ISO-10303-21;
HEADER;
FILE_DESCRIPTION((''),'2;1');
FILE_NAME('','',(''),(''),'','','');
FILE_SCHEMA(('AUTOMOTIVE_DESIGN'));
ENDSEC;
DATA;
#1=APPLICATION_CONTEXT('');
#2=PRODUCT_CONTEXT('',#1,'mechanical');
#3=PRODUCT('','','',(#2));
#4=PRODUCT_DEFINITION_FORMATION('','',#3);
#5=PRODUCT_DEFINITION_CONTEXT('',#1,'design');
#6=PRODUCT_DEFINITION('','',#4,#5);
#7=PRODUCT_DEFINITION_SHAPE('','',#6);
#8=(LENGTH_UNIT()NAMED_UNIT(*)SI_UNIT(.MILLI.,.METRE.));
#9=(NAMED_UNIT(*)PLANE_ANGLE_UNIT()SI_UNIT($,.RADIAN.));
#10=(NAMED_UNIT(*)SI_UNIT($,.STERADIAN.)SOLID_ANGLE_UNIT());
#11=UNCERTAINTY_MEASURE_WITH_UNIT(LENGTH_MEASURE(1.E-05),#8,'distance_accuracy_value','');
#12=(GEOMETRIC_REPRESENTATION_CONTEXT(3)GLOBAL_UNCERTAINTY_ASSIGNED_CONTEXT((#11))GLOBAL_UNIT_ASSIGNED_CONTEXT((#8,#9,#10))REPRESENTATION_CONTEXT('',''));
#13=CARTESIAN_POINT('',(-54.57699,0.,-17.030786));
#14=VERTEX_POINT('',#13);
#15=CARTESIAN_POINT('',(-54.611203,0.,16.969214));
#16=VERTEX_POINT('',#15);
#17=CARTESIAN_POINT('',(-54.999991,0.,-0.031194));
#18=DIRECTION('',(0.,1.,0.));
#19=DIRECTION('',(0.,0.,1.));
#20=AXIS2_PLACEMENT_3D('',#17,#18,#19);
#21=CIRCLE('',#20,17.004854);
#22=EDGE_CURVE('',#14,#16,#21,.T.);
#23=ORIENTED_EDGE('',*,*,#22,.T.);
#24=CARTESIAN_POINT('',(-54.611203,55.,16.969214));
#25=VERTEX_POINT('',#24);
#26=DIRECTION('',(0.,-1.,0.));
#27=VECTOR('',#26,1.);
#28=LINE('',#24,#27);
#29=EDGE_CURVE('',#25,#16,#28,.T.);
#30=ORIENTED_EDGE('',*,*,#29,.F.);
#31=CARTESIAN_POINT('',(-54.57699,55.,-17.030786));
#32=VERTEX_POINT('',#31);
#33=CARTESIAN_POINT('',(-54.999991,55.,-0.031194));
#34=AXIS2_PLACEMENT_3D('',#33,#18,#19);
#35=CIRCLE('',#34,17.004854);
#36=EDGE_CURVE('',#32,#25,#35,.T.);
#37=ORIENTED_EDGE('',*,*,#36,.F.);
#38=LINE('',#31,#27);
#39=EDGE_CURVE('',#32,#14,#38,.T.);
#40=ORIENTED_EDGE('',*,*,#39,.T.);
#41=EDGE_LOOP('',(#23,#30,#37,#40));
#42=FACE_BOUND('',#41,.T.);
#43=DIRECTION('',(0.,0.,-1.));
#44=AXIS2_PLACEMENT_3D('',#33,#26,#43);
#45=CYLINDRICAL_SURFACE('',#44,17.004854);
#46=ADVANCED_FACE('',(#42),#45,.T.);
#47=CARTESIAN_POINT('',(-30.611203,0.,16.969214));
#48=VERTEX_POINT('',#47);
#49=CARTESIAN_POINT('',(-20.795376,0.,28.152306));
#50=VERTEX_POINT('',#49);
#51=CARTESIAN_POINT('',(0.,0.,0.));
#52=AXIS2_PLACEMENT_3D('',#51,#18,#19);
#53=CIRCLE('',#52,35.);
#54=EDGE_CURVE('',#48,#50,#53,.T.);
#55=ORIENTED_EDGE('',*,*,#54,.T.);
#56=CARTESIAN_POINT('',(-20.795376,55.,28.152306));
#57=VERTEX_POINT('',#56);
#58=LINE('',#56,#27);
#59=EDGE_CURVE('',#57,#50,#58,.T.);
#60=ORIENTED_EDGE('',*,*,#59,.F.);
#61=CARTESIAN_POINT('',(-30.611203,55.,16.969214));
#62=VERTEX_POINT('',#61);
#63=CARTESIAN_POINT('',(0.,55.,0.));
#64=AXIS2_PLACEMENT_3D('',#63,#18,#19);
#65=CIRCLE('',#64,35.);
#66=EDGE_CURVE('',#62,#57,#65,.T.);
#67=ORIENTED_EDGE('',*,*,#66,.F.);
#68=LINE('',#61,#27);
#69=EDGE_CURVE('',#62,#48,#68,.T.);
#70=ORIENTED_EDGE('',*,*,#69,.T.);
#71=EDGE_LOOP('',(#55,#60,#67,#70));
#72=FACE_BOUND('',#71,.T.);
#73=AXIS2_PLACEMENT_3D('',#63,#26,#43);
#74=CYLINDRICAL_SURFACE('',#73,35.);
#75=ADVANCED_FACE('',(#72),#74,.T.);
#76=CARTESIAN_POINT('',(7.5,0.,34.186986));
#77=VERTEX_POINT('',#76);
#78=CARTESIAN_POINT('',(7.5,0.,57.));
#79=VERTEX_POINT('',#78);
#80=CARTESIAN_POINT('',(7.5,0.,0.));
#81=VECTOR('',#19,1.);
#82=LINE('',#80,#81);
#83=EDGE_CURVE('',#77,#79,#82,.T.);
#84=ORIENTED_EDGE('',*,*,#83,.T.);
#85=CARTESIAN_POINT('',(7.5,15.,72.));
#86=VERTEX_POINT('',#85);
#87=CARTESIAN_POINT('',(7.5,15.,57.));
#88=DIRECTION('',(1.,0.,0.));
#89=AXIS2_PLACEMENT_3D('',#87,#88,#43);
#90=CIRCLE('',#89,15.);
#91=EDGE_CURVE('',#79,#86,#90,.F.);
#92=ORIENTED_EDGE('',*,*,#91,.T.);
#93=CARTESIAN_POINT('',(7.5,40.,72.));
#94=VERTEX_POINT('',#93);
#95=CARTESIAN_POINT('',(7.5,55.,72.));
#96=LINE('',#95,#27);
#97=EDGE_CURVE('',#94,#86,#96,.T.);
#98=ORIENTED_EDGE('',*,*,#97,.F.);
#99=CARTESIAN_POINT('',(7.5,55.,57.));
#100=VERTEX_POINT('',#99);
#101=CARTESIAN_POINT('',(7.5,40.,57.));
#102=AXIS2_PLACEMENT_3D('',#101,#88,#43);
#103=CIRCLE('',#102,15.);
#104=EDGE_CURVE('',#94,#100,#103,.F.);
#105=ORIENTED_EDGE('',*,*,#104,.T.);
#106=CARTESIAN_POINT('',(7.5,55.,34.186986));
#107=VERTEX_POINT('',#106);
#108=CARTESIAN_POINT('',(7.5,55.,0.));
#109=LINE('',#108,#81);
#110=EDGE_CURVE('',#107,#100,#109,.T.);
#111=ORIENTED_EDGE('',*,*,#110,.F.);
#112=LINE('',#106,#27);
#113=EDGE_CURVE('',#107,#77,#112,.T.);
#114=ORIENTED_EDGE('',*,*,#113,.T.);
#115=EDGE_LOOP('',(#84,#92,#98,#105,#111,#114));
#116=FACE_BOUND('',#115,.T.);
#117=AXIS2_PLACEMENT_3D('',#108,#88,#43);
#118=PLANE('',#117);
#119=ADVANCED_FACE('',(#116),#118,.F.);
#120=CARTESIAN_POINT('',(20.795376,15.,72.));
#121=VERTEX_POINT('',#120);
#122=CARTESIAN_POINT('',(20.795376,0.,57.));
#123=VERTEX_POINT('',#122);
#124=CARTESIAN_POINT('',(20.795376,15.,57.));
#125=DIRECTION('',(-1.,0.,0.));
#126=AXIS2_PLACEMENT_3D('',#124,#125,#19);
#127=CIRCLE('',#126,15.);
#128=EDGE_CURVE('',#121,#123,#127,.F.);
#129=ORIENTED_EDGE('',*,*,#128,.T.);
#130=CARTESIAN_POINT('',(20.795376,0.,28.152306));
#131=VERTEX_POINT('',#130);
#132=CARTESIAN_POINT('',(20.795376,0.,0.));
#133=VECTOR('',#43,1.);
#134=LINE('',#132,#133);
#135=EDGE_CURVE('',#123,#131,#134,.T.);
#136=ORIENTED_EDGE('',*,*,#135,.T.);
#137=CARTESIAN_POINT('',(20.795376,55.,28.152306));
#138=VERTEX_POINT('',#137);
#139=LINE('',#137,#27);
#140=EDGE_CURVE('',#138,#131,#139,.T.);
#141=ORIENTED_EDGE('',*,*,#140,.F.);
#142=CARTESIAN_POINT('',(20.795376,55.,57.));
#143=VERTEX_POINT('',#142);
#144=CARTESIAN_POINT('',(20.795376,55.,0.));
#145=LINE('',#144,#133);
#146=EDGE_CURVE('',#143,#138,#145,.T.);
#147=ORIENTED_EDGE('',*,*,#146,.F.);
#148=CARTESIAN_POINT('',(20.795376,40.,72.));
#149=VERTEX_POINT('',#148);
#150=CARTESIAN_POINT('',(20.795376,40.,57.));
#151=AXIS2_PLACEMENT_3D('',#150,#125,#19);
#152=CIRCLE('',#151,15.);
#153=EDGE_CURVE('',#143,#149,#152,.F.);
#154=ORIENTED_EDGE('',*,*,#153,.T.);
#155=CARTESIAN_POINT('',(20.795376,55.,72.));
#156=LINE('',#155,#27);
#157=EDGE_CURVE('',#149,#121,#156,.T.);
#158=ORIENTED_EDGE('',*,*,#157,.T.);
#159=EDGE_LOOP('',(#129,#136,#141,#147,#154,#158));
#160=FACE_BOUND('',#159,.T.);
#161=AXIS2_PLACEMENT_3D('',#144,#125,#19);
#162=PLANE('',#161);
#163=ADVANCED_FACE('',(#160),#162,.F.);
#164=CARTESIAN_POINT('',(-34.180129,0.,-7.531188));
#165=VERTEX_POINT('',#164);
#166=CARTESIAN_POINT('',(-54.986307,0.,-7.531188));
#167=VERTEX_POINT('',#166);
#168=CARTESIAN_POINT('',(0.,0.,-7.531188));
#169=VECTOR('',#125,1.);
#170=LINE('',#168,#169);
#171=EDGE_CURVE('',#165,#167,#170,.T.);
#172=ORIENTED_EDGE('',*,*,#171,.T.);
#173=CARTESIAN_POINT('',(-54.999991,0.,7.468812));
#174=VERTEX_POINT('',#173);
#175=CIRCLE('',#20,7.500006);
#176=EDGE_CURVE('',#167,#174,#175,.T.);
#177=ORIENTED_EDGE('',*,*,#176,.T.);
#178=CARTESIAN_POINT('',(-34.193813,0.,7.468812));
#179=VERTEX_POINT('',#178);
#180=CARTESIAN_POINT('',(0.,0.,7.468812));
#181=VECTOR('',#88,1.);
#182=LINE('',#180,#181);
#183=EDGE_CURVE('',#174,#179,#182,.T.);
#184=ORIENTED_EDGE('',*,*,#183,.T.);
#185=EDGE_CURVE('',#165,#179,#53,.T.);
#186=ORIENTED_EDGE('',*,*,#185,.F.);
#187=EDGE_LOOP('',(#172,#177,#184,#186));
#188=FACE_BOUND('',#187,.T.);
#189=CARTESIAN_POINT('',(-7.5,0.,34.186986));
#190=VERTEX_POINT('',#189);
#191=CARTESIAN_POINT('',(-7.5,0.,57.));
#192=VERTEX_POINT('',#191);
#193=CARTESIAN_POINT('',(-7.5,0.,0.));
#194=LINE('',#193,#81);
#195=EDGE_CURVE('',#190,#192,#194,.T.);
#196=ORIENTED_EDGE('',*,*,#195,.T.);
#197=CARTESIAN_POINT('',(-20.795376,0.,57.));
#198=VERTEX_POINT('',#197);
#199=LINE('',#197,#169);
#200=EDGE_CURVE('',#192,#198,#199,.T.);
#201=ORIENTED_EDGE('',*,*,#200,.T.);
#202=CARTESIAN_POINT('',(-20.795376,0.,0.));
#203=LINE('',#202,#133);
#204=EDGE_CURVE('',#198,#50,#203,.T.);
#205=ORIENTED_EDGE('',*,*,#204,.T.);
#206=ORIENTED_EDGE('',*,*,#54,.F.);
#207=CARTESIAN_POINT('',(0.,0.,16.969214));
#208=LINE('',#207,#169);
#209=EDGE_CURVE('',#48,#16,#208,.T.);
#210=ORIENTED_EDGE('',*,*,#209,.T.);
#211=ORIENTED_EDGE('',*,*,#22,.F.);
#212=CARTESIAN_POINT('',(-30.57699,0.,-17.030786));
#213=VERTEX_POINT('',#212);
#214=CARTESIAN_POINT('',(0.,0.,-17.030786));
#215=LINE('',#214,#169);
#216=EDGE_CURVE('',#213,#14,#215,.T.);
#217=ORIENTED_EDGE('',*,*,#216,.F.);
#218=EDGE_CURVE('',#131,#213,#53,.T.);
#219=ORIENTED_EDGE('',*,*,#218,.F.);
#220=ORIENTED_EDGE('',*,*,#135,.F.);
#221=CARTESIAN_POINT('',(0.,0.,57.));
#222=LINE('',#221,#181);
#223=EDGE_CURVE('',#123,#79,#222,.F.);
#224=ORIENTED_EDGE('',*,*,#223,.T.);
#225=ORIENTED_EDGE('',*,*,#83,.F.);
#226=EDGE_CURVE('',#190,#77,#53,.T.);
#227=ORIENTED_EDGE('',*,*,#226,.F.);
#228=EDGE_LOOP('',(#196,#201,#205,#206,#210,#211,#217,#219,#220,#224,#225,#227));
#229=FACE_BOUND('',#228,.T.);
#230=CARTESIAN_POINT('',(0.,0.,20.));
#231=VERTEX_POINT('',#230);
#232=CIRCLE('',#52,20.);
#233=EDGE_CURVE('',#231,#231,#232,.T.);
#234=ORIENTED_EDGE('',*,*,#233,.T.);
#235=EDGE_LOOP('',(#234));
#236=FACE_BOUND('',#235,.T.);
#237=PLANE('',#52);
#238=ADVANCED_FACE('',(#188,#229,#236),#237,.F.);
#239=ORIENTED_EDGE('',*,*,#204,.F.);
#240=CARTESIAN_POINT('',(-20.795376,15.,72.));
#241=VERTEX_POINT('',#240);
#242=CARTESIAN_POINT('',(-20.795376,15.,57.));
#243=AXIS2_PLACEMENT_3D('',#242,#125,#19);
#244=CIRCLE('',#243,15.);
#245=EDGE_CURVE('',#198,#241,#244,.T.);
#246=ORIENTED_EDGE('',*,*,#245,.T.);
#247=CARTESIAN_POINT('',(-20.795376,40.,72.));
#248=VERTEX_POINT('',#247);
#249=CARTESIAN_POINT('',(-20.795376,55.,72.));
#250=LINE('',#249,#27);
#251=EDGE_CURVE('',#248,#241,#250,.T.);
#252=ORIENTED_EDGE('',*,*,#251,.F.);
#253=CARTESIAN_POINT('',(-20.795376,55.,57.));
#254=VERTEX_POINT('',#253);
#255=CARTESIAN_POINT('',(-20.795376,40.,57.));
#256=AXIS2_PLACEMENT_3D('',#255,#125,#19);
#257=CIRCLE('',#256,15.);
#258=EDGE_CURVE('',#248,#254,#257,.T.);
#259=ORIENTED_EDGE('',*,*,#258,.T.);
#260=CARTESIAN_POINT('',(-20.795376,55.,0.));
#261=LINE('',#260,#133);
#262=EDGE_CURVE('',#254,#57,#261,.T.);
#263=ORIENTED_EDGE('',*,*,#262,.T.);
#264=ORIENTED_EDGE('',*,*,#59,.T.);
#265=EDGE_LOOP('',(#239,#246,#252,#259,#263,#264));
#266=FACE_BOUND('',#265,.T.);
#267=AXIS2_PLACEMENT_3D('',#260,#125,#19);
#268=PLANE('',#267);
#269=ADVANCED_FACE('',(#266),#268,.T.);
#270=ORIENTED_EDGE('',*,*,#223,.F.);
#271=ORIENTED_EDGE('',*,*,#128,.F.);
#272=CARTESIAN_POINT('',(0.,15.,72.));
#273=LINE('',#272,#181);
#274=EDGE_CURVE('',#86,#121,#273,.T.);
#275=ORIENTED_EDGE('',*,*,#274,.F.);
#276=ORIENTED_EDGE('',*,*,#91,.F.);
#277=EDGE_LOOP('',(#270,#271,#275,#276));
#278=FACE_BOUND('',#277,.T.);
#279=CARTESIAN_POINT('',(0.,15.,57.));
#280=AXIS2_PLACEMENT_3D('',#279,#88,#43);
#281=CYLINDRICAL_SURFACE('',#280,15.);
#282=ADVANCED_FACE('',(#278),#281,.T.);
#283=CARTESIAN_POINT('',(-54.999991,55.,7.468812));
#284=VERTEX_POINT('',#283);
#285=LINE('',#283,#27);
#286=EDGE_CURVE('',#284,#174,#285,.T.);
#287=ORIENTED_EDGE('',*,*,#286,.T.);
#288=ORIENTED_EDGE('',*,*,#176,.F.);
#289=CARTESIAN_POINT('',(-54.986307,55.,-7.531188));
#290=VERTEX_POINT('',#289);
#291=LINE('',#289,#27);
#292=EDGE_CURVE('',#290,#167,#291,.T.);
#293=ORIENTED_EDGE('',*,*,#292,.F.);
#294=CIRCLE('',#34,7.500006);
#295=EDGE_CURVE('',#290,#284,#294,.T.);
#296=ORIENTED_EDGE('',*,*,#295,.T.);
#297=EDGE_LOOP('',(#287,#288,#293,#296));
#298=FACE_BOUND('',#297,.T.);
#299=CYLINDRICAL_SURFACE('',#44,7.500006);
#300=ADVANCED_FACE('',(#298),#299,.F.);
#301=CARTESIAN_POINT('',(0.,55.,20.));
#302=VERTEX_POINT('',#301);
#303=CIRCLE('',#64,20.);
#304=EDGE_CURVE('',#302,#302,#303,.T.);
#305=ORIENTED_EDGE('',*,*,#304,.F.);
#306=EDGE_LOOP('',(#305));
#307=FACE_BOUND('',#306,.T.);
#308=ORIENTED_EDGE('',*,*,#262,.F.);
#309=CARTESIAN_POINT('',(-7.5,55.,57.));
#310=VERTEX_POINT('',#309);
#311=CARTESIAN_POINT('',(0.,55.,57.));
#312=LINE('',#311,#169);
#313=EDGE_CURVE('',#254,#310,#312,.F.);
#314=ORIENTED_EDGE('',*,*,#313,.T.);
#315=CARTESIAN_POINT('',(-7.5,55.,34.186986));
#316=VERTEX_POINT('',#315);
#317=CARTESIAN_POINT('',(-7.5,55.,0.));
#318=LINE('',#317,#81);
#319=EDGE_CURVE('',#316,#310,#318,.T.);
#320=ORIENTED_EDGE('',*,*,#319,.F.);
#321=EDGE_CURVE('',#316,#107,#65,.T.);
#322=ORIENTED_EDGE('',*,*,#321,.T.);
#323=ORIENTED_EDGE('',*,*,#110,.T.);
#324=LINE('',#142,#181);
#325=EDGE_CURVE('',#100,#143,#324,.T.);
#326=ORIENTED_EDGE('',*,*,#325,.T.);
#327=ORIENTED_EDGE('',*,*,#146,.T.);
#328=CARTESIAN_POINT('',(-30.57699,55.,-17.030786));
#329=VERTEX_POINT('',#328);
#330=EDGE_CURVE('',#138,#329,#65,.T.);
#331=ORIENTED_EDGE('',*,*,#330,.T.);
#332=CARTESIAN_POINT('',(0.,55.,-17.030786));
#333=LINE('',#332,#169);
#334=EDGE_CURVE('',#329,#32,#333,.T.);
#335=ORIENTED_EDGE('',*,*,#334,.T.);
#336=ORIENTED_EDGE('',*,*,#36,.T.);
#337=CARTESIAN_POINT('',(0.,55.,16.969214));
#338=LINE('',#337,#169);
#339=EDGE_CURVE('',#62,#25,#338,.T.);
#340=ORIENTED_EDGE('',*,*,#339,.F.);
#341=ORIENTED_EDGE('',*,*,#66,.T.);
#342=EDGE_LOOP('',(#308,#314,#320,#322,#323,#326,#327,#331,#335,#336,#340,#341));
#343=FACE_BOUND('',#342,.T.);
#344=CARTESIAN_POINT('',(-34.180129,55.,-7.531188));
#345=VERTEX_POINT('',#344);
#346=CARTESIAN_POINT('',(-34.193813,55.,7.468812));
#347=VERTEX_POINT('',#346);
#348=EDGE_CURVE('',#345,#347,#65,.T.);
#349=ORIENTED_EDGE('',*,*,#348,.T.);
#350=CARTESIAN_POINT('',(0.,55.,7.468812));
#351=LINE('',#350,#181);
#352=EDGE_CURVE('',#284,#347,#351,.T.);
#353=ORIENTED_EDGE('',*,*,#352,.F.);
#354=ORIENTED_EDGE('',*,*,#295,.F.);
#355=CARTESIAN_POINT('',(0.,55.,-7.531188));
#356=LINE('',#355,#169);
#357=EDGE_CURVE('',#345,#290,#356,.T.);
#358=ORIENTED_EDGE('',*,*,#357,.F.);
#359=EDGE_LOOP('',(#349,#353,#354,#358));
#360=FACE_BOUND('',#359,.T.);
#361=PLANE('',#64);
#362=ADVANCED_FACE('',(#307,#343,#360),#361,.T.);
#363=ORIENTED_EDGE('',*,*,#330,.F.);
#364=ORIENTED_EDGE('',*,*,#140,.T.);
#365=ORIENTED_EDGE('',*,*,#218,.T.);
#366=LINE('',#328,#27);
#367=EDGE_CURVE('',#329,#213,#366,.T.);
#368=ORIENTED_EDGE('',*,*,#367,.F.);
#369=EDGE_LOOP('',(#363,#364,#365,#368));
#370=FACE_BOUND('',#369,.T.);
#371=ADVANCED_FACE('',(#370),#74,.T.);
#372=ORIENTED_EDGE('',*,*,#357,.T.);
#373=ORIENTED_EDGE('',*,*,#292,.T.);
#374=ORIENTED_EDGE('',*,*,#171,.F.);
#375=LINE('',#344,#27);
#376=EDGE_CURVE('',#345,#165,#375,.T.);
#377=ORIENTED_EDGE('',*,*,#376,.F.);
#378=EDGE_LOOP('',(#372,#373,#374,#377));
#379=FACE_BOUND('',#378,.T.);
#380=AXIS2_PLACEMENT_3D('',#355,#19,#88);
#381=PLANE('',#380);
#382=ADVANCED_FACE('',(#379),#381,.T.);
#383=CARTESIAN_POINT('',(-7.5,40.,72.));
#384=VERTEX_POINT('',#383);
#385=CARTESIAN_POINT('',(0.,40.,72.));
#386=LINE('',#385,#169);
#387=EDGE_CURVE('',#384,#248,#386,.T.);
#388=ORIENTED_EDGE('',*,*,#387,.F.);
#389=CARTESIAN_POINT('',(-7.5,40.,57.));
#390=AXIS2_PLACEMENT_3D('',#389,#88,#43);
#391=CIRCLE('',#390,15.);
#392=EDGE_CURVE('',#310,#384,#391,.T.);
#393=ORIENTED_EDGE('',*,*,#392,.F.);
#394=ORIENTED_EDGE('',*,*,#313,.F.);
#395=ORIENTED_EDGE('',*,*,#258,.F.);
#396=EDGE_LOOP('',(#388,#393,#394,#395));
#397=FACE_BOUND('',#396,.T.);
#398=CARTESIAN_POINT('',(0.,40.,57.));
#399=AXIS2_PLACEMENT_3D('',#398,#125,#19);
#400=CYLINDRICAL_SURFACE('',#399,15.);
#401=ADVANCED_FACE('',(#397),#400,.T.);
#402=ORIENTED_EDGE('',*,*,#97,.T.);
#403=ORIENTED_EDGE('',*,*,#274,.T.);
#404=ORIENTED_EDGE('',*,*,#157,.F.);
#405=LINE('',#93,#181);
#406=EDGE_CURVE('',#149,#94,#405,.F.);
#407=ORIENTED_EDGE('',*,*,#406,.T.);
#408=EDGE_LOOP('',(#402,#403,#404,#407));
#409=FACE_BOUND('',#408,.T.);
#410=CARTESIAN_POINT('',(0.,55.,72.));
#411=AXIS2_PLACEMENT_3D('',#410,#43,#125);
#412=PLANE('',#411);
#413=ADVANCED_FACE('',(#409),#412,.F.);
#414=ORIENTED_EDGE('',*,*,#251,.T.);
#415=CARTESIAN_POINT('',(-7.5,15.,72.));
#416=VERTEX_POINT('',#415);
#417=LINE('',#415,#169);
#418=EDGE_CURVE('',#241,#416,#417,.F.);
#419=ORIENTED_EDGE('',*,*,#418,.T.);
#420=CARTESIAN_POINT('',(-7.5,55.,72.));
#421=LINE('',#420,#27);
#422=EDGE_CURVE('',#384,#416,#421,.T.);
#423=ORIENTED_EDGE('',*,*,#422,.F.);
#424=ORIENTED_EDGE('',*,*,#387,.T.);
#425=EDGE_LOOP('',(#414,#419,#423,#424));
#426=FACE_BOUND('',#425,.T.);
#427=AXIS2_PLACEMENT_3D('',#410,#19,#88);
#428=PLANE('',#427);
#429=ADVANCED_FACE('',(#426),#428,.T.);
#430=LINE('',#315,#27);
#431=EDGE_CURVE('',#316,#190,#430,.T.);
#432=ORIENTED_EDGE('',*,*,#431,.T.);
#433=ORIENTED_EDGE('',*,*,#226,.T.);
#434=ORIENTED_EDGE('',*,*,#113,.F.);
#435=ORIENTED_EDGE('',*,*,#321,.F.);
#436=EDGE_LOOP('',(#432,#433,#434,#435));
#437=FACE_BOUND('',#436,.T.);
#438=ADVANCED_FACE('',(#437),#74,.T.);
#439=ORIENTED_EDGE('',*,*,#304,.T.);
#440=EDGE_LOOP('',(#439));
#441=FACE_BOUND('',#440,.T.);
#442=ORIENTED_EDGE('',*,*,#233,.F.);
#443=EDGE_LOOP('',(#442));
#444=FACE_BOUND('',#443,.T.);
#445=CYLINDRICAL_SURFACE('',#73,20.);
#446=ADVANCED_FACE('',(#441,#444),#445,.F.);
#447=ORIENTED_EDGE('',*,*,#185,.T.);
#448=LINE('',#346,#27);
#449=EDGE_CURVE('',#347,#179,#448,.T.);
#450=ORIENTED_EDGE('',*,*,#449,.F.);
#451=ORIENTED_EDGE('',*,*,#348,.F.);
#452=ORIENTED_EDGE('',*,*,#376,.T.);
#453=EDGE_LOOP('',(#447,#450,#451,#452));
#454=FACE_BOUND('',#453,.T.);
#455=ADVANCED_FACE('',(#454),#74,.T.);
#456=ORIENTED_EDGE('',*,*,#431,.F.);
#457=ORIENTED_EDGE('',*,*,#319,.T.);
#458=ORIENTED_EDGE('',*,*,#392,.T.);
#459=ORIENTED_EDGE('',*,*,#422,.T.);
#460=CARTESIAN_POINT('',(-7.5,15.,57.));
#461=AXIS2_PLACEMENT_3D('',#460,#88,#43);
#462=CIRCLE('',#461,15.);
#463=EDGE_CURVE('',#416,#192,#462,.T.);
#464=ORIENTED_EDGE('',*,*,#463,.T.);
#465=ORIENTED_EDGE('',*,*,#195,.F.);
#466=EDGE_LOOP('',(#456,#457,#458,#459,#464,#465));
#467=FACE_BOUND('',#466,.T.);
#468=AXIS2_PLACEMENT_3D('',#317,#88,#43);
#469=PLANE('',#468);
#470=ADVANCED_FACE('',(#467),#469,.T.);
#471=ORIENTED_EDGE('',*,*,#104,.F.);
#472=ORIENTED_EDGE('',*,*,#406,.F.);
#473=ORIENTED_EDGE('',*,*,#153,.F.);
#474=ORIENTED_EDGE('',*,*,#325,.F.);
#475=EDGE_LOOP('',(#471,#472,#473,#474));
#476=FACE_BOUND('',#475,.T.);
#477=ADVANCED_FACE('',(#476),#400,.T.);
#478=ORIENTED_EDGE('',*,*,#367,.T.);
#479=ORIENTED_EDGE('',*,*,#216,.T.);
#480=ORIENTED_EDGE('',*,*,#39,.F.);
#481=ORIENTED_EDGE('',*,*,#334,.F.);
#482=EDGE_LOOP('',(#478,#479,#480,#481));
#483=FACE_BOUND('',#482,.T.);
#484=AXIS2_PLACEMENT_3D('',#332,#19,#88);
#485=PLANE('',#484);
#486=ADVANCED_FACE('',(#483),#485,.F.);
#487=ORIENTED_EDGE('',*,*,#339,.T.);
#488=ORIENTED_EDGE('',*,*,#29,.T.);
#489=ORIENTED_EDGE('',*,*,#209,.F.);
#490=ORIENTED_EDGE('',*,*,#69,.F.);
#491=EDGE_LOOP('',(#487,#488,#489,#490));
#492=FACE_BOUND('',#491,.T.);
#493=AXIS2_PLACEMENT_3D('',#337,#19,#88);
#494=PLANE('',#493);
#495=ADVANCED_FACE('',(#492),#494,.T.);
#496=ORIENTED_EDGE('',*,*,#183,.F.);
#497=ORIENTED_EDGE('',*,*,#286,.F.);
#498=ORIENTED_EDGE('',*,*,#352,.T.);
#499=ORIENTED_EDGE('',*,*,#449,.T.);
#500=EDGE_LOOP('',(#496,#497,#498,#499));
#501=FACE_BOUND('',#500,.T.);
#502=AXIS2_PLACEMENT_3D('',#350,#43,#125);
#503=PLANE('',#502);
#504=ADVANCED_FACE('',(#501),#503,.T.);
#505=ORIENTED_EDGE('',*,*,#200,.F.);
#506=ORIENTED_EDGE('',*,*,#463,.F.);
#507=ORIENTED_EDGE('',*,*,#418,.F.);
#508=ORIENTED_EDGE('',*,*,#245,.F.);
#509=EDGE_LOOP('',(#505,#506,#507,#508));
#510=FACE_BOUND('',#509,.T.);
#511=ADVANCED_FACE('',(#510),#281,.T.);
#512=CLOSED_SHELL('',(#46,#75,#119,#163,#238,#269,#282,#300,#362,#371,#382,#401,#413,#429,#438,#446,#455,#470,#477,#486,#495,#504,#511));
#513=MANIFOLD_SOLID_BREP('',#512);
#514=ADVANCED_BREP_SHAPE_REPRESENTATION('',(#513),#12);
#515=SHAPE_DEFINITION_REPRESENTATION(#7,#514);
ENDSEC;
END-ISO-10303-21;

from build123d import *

# Parameters (mm, degrees)
SKETCH2_R           = 20
BOSS_EXTRUDE3_DEPTH = 55
FILLET1_R           = 15


with BuildPart() as part:
    # Sketch2 → Boss-Extrude3 (new body)
    with BuildSketch(Plane(origin=(0, 0, 0), x_dir=(1, 0, 0), z_dir=(0, 1, 0))):
        with BuildLine():
            Line((-20.795375831, -28.152306194), (-20.795375831, -72))
            Line((-20.795375831, -72), (-7.5, -72))
            Line((-7.5, -72), (-7.5, -34.186985828))
            ThreePointArc((-7.5, -34.186985828), (0, -35), (7.5, -34.186985828))
            Line((7.5, -34.186985828), (7.5, -72))
            Line((7.5, -72), (20.795375831, -72))
            Line((20.795375831, -72), (20.795375831, -28.152306194))
            ThreePointArc((20.795375831, -28.152306194), (23.114885766, 26.281211083), (-30.576990341, 17.030785705))
            Line((-30.576990341, 17.030785705), (-54.576990341, 17.030785705))
            ThreePointArc((-54.576990341, 17.030785705), (-72.004836058, 0.048305486), (-54.611203279, -16.969214295))
            Line((-54.611203279, -16.969214295), (-30.611203279, -16.969214295))
            ThreePointArc((-30.611203279, -16.969214295), (-26.304457418, -23.088428269), (-20.795375831, -28.152306194))
        make_face()
        with BuildLine():
            ThreePointArc((-34.180128859, 7.531187899), (-34.999985436, 0.031929592), (-34.193812975, -7.468812101))
            Line((-34.193812975, -7.468812101), (-54.999991154, -7.468812101))
            ThreePointArc((-54.999991154, -7.468812101), (-62.499994275, 0.038036202), (-54.986307038, 7.531187899))
            Line((-54.986307038, 7.531187899), (-34.180128859, 7.531187899))
        make_face(mode=Mode.SUBTRACT)
        with Locations(Location((0, 0, 0), (0, 0, 270))):
            Circle(SKETCH2_R, mode=Mode.SUBTRACT)
    extrude(amount=BOSS_EXTRUDE3_DEPTH)

    # Fillet1
    fillet1_edges = [part.edges().sort_by_distance(p)[0] for p in [
        (-14.147687915, 0, 72),
        (14.147687915, 0, 72),
        (14.147687915, 55, 72),
        (-14.147687915, 55, 72),
    ]]
    fillet(fillet1_edges, radius=FILLET1_R)


solid = part.part
